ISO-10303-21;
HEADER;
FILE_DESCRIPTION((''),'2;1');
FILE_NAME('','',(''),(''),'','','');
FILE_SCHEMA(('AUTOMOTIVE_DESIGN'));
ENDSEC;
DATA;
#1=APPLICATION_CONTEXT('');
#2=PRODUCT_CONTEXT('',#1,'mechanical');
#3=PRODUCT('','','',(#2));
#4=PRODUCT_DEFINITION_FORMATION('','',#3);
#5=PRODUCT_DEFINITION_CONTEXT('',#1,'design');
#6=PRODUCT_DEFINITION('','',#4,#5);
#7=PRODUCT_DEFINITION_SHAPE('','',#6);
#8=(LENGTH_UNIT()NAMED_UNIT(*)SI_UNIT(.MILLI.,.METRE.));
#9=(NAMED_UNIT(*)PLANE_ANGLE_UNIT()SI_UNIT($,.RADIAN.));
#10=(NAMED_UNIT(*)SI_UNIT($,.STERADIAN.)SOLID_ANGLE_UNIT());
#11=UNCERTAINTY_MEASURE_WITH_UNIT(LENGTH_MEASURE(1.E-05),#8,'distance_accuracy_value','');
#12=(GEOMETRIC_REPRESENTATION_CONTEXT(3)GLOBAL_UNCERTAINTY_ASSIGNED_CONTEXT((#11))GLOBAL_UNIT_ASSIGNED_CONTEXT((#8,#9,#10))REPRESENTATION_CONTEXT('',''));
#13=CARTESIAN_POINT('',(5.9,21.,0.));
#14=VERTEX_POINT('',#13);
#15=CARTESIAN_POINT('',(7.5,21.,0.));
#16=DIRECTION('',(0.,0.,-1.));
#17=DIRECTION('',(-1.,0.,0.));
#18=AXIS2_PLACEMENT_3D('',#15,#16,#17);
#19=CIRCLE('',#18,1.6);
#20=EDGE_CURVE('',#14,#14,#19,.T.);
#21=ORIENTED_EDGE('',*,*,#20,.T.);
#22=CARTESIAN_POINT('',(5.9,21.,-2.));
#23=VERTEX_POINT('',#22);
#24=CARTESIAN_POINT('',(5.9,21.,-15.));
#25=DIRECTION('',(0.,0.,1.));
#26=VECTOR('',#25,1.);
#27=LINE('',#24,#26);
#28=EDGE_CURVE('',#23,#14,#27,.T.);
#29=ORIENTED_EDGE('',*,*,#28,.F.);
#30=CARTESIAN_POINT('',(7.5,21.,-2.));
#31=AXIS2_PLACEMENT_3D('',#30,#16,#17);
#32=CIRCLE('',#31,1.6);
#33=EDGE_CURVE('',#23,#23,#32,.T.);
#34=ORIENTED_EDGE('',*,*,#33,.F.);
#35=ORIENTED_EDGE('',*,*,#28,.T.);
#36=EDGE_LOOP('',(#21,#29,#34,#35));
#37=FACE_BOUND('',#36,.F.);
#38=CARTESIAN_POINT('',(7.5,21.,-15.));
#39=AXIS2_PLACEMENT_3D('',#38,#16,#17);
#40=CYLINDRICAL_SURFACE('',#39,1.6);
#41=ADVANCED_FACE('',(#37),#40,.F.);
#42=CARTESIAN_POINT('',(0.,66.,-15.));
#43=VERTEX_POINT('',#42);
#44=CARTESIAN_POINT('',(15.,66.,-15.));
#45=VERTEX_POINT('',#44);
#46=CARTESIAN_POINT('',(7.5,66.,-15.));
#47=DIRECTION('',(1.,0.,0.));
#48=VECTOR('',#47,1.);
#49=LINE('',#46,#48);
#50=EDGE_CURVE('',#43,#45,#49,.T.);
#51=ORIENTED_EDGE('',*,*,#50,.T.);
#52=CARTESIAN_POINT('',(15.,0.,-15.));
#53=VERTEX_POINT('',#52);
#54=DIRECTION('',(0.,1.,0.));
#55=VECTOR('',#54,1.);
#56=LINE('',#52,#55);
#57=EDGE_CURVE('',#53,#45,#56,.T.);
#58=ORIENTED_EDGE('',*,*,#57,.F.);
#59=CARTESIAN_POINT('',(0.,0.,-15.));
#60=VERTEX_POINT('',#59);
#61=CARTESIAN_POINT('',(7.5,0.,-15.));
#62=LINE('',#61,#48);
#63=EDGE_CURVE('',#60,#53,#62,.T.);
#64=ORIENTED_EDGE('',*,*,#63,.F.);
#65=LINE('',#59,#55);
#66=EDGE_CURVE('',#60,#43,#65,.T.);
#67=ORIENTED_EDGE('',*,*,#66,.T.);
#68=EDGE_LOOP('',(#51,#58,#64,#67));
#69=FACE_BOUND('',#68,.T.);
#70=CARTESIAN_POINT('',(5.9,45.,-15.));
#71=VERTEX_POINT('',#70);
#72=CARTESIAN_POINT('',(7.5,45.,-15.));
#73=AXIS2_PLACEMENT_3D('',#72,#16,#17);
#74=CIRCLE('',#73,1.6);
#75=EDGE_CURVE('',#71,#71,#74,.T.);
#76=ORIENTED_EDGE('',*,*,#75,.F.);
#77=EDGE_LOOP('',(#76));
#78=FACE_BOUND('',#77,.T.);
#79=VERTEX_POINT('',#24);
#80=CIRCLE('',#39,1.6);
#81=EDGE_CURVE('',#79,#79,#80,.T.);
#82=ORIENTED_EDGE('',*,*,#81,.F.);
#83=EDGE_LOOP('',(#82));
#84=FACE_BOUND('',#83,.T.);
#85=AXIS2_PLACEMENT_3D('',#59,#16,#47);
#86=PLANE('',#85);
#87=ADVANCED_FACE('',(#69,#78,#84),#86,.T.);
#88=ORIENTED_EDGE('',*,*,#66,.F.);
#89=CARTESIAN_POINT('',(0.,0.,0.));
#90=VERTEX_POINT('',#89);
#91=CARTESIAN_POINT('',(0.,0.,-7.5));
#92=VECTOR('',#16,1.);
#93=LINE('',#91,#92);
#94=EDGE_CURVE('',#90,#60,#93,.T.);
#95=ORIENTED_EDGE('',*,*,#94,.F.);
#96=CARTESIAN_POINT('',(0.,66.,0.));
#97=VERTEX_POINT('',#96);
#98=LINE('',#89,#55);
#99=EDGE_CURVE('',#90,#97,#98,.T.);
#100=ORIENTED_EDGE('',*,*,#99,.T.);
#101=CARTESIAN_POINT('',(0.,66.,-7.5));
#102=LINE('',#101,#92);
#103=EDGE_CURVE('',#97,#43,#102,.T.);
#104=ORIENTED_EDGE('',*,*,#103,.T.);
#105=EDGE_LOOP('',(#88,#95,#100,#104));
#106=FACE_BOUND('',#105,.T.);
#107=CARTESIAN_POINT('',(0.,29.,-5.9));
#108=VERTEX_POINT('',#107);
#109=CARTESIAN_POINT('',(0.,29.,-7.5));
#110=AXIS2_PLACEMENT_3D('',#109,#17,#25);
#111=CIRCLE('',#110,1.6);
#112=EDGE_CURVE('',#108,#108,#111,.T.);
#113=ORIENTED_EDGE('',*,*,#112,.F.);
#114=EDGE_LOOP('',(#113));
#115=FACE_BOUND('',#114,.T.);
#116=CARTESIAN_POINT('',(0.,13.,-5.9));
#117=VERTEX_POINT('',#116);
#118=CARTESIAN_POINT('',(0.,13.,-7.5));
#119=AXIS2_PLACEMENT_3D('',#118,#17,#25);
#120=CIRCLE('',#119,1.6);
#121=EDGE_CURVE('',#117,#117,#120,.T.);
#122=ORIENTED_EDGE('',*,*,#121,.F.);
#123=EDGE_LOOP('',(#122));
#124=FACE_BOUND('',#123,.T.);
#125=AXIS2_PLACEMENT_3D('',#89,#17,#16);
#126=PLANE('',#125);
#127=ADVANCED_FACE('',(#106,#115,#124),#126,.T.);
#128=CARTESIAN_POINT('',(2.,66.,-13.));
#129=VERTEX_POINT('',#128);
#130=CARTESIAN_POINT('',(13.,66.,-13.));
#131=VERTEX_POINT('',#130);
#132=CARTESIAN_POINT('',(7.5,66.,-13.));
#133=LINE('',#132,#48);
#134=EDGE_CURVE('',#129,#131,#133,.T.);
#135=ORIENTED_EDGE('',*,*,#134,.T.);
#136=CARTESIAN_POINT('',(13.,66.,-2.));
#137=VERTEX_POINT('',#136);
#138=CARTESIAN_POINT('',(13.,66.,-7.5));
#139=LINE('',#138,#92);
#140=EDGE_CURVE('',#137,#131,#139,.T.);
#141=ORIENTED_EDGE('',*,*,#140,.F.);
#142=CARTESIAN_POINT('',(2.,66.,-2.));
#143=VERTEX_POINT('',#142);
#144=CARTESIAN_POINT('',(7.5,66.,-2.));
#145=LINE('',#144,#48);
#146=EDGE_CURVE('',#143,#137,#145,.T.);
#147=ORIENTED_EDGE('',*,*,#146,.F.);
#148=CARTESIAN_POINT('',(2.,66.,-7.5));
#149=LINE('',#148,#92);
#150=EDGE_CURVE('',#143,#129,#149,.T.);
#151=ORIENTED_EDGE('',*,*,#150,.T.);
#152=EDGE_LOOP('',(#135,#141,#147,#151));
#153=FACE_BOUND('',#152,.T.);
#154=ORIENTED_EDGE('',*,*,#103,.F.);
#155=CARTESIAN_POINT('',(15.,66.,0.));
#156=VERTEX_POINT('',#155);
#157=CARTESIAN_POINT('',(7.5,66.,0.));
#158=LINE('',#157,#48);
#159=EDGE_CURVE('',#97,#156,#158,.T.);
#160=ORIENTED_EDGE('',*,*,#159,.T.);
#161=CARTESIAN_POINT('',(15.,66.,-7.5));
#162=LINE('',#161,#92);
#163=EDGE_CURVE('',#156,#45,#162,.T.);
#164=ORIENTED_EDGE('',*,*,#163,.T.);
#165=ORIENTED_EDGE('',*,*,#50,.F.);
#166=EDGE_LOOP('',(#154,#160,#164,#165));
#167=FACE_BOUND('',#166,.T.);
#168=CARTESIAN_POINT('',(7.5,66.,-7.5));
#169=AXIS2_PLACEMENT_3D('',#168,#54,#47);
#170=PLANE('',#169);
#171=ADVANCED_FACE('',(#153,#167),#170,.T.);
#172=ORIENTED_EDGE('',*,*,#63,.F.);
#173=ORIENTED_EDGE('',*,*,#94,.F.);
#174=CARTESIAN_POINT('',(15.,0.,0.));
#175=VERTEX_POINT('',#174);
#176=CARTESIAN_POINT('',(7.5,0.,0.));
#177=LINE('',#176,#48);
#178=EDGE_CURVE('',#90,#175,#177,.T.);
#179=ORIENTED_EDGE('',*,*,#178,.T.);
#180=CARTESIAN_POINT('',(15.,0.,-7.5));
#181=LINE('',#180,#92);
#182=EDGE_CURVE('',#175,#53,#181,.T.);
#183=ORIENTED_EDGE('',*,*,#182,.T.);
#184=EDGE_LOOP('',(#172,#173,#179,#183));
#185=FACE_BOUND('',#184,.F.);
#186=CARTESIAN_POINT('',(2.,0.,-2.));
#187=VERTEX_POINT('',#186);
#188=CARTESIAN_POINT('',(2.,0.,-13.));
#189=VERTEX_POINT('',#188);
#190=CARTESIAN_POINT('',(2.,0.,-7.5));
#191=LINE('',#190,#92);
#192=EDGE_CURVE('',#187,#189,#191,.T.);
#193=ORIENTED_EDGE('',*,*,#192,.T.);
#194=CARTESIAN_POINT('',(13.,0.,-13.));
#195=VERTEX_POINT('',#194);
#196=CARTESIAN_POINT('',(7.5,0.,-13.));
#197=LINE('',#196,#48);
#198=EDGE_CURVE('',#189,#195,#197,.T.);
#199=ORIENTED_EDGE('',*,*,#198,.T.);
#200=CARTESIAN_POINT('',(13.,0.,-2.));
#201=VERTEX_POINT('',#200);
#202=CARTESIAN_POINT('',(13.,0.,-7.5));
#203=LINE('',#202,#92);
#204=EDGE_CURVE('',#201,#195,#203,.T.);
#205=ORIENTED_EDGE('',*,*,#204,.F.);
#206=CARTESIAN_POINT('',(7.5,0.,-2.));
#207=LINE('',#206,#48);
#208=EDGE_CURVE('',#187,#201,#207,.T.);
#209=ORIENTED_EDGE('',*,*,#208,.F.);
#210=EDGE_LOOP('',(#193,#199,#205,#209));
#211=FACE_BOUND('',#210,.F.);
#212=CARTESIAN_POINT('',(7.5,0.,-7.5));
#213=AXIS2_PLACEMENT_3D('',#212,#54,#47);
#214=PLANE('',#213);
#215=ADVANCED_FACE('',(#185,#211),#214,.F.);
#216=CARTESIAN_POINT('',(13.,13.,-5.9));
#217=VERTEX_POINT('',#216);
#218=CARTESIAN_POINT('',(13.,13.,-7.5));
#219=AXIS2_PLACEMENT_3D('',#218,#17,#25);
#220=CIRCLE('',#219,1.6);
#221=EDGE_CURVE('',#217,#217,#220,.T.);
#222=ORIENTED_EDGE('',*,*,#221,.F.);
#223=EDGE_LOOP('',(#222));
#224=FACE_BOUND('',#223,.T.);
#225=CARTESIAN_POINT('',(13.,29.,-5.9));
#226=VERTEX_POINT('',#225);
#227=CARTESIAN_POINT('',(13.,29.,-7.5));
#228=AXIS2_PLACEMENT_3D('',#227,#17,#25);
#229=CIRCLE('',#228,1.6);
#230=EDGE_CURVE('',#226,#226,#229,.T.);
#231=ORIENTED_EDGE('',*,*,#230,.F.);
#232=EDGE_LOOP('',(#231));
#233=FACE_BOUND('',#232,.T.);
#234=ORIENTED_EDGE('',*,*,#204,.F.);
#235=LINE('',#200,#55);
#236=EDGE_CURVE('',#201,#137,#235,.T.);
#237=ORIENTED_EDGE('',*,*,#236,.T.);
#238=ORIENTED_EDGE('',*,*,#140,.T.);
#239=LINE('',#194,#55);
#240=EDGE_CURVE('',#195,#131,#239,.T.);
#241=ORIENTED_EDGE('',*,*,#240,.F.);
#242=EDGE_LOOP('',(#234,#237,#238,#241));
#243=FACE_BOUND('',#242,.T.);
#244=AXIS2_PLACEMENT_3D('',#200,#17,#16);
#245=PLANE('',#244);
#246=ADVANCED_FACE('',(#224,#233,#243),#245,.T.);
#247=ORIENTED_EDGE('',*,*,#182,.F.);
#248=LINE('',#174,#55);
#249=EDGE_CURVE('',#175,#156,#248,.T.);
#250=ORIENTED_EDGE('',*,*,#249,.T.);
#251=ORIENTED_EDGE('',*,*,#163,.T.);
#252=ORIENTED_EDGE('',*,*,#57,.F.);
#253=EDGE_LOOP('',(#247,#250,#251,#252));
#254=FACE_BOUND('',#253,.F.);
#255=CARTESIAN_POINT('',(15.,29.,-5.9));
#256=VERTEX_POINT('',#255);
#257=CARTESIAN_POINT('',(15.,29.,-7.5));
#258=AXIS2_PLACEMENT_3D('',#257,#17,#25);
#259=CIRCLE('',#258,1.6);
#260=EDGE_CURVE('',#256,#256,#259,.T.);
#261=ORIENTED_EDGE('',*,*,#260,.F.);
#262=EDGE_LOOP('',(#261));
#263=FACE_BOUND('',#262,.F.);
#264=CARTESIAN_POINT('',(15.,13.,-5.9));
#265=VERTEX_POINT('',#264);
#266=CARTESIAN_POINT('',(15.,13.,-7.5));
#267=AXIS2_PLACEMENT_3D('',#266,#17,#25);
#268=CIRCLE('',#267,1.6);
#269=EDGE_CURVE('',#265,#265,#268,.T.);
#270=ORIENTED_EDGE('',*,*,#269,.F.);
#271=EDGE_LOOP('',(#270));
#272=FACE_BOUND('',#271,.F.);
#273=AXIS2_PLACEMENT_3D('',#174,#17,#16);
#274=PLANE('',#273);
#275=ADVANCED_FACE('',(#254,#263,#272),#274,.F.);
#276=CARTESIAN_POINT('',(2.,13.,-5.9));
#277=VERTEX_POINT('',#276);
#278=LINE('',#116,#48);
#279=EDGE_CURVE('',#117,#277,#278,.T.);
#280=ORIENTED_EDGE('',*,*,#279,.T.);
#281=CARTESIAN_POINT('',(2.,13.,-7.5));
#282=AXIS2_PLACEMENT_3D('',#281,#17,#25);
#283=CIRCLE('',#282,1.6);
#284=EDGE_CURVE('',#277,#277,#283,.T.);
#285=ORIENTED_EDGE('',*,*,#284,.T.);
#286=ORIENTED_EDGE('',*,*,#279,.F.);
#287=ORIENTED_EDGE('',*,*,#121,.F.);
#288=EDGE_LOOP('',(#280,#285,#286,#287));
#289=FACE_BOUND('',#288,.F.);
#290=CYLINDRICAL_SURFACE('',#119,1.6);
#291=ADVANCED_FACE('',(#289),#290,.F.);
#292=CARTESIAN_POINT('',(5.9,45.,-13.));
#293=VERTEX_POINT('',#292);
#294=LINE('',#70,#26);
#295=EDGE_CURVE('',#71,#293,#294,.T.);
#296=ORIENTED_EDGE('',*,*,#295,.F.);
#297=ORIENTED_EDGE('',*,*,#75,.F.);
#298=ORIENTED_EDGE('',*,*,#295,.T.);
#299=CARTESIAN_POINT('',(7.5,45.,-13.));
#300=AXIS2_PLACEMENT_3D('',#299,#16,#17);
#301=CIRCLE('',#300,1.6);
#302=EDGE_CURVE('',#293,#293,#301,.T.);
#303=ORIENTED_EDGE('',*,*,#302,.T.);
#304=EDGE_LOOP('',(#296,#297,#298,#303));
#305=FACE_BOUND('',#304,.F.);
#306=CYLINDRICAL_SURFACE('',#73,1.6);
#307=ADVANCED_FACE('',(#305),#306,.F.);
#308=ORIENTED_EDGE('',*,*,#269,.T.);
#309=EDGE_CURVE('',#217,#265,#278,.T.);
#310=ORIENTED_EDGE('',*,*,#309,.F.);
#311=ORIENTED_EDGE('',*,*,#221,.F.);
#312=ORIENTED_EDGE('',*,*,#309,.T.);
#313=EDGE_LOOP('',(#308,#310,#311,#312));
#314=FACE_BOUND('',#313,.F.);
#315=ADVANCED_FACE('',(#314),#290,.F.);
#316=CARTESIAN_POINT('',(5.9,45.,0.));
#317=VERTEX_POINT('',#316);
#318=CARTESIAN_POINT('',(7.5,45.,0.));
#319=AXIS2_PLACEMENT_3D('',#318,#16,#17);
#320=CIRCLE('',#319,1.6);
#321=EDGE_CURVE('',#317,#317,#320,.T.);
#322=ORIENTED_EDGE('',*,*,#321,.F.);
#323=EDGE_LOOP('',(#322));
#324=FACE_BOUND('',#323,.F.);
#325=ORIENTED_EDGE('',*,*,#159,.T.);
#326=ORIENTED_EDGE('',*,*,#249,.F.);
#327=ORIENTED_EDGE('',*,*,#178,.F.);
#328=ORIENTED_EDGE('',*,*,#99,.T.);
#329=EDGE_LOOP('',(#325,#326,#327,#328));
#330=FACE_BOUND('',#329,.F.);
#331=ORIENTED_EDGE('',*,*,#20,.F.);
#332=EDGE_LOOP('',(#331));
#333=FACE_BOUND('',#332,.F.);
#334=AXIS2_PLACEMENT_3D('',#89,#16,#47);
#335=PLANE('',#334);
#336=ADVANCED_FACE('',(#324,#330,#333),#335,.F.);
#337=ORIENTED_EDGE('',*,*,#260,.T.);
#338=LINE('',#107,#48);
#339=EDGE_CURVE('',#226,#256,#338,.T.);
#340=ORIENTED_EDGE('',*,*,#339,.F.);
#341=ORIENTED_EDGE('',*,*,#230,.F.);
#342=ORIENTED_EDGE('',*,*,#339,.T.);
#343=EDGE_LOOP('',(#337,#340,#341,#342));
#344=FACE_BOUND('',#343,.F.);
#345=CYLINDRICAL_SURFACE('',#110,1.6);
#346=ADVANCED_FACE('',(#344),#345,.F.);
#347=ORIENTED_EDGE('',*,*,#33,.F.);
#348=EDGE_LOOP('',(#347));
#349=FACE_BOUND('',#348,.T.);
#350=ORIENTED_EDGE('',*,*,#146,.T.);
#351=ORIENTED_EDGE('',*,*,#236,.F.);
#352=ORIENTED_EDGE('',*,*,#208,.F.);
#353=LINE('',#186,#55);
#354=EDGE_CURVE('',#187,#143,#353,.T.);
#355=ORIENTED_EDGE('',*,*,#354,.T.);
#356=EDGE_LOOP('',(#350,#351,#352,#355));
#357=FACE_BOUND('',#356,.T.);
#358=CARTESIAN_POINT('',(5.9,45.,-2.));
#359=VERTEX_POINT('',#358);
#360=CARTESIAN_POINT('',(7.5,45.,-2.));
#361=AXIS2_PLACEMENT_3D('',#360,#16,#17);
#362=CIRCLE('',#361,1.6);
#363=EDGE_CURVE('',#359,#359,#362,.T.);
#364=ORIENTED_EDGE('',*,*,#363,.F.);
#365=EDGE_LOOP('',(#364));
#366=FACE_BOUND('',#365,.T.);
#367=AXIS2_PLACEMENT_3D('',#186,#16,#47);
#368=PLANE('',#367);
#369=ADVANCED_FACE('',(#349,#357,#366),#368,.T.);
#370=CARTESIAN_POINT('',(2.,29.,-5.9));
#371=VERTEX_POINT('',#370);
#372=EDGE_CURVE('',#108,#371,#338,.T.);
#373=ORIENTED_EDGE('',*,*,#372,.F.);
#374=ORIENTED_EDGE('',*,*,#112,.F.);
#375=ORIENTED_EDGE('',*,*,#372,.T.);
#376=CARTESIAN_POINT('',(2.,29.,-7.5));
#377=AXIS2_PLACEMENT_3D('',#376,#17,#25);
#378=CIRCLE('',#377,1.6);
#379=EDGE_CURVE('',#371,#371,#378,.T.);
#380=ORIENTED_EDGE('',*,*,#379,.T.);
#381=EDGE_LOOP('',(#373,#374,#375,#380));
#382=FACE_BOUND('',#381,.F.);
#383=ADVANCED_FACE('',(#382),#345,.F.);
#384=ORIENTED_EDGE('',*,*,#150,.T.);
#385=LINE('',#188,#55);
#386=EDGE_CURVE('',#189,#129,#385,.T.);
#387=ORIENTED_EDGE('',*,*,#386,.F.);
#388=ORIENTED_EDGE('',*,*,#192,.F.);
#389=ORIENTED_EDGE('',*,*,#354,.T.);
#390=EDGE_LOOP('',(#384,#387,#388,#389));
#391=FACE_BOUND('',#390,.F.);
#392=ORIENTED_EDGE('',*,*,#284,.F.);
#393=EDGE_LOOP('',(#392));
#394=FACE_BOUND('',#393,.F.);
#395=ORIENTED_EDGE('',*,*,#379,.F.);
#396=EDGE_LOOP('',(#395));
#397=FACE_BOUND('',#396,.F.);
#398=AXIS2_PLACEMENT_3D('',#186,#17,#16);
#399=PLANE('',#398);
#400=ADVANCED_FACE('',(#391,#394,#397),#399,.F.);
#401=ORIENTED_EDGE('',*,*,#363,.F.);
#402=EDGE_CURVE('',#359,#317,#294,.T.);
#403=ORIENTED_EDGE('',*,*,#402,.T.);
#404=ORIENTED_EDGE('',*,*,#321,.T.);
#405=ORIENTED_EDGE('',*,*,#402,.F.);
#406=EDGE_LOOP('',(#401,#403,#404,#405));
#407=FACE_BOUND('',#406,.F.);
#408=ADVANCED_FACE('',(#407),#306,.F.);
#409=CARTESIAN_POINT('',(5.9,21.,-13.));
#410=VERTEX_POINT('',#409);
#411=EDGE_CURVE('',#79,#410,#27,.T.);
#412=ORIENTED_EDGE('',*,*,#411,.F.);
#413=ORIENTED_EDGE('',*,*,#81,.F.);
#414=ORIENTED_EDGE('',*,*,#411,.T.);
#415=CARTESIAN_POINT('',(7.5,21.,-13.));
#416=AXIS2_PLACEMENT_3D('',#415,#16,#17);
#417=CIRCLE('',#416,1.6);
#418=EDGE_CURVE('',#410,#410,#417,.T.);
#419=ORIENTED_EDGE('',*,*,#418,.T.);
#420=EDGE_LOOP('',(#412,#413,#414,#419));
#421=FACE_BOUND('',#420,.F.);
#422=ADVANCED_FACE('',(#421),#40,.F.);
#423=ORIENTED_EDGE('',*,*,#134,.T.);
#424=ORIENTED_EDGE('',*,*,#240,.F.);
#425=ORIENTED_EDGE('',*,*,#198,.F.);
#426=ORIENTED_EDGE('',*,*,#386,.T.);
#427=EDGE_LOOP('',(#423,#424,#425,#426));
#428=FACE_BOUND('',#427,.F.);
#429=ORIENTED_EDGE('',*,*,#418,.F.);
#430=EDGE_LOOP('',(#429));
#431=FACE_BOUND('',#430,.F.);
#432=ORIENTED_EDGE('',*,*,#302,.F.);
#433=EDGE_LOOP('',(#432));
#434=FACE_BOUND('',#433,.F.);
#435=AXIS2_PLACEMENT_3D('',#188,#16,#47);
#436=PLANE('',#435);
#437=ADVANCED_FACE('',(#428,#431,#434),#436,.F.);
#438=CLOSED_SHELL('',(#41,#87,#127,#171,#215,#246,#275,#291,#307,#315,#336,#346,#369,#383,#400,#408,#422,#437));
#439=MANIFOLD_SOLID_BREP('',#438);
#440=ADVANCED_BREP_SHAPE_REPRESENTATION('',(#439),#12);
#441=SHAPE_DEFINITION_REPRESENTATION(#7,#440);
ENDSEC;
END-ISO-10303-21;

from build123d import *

# Parameters (mm, degrees)
SKETCH1_W           = 15
SKETCH1_H           = 15
SKETCH1_W_2         = 11
SKETCH1_H_2         = 11
BOSS_EXTRUDE1_DEPTH = 66
SKETCH3_R           = 1.6
CUT_EXTRUDE1_DEPTH  = 70.32532005
SKETCH4_R           = 1.6
CUT_EXTRUDE2_DEPTH  = 70.32532005


with BuildPart() as part:
    # Sketch1 → Boss-Extrude1 (new body)
    with BuildSketch(Plane(origin=(0, 0, 0), x_dir=(1, 0, 0), z_dir=(0, 1, 0))):
        with Locations((7.5, 7.5)):
            Rectangle(SKETCH1_W, SKETCH1_H)
        with Locations((7.5, 7.5)):
            Rectangle(SKETCH1_W_2, SKETCH1_H_2, mode=Mode.SUBTRACT)
    extrude(amount=BOSS_EXTRUDE1_DEPTH)

    # Sketch3 → Cut-Extrude1 (cut, through all)
    with BuildSketch(Plane(origin=(0, 0, -15), x_dir=(-1, 0, 0), z_dir=(0, 0, -1))):
        with Locations((-7.5, 21)):
            Circle(SKETCH3_R)
        with Locations((-7.5, 45)):
            Circle(SKETCH3_R)
    extrude(amount=-CUT_EXTRUDE1_DEPTH, mode=Mode.SUBTRACT)

    # Sketch4 → Cut-Extrude2 (cut, through all)
    with BuildSketch(Plane.ZY):
        with Locations((-7.5, 13)):
            Circle(SKETCH4_R)
        with Locations((-7.5, 29)):
            Circle(SKETCH4_R)
    extrude(amount=-CUT_EXTRUDE2_DEPTH, mode=Mode.SUBTRACT)


solid = part.part
